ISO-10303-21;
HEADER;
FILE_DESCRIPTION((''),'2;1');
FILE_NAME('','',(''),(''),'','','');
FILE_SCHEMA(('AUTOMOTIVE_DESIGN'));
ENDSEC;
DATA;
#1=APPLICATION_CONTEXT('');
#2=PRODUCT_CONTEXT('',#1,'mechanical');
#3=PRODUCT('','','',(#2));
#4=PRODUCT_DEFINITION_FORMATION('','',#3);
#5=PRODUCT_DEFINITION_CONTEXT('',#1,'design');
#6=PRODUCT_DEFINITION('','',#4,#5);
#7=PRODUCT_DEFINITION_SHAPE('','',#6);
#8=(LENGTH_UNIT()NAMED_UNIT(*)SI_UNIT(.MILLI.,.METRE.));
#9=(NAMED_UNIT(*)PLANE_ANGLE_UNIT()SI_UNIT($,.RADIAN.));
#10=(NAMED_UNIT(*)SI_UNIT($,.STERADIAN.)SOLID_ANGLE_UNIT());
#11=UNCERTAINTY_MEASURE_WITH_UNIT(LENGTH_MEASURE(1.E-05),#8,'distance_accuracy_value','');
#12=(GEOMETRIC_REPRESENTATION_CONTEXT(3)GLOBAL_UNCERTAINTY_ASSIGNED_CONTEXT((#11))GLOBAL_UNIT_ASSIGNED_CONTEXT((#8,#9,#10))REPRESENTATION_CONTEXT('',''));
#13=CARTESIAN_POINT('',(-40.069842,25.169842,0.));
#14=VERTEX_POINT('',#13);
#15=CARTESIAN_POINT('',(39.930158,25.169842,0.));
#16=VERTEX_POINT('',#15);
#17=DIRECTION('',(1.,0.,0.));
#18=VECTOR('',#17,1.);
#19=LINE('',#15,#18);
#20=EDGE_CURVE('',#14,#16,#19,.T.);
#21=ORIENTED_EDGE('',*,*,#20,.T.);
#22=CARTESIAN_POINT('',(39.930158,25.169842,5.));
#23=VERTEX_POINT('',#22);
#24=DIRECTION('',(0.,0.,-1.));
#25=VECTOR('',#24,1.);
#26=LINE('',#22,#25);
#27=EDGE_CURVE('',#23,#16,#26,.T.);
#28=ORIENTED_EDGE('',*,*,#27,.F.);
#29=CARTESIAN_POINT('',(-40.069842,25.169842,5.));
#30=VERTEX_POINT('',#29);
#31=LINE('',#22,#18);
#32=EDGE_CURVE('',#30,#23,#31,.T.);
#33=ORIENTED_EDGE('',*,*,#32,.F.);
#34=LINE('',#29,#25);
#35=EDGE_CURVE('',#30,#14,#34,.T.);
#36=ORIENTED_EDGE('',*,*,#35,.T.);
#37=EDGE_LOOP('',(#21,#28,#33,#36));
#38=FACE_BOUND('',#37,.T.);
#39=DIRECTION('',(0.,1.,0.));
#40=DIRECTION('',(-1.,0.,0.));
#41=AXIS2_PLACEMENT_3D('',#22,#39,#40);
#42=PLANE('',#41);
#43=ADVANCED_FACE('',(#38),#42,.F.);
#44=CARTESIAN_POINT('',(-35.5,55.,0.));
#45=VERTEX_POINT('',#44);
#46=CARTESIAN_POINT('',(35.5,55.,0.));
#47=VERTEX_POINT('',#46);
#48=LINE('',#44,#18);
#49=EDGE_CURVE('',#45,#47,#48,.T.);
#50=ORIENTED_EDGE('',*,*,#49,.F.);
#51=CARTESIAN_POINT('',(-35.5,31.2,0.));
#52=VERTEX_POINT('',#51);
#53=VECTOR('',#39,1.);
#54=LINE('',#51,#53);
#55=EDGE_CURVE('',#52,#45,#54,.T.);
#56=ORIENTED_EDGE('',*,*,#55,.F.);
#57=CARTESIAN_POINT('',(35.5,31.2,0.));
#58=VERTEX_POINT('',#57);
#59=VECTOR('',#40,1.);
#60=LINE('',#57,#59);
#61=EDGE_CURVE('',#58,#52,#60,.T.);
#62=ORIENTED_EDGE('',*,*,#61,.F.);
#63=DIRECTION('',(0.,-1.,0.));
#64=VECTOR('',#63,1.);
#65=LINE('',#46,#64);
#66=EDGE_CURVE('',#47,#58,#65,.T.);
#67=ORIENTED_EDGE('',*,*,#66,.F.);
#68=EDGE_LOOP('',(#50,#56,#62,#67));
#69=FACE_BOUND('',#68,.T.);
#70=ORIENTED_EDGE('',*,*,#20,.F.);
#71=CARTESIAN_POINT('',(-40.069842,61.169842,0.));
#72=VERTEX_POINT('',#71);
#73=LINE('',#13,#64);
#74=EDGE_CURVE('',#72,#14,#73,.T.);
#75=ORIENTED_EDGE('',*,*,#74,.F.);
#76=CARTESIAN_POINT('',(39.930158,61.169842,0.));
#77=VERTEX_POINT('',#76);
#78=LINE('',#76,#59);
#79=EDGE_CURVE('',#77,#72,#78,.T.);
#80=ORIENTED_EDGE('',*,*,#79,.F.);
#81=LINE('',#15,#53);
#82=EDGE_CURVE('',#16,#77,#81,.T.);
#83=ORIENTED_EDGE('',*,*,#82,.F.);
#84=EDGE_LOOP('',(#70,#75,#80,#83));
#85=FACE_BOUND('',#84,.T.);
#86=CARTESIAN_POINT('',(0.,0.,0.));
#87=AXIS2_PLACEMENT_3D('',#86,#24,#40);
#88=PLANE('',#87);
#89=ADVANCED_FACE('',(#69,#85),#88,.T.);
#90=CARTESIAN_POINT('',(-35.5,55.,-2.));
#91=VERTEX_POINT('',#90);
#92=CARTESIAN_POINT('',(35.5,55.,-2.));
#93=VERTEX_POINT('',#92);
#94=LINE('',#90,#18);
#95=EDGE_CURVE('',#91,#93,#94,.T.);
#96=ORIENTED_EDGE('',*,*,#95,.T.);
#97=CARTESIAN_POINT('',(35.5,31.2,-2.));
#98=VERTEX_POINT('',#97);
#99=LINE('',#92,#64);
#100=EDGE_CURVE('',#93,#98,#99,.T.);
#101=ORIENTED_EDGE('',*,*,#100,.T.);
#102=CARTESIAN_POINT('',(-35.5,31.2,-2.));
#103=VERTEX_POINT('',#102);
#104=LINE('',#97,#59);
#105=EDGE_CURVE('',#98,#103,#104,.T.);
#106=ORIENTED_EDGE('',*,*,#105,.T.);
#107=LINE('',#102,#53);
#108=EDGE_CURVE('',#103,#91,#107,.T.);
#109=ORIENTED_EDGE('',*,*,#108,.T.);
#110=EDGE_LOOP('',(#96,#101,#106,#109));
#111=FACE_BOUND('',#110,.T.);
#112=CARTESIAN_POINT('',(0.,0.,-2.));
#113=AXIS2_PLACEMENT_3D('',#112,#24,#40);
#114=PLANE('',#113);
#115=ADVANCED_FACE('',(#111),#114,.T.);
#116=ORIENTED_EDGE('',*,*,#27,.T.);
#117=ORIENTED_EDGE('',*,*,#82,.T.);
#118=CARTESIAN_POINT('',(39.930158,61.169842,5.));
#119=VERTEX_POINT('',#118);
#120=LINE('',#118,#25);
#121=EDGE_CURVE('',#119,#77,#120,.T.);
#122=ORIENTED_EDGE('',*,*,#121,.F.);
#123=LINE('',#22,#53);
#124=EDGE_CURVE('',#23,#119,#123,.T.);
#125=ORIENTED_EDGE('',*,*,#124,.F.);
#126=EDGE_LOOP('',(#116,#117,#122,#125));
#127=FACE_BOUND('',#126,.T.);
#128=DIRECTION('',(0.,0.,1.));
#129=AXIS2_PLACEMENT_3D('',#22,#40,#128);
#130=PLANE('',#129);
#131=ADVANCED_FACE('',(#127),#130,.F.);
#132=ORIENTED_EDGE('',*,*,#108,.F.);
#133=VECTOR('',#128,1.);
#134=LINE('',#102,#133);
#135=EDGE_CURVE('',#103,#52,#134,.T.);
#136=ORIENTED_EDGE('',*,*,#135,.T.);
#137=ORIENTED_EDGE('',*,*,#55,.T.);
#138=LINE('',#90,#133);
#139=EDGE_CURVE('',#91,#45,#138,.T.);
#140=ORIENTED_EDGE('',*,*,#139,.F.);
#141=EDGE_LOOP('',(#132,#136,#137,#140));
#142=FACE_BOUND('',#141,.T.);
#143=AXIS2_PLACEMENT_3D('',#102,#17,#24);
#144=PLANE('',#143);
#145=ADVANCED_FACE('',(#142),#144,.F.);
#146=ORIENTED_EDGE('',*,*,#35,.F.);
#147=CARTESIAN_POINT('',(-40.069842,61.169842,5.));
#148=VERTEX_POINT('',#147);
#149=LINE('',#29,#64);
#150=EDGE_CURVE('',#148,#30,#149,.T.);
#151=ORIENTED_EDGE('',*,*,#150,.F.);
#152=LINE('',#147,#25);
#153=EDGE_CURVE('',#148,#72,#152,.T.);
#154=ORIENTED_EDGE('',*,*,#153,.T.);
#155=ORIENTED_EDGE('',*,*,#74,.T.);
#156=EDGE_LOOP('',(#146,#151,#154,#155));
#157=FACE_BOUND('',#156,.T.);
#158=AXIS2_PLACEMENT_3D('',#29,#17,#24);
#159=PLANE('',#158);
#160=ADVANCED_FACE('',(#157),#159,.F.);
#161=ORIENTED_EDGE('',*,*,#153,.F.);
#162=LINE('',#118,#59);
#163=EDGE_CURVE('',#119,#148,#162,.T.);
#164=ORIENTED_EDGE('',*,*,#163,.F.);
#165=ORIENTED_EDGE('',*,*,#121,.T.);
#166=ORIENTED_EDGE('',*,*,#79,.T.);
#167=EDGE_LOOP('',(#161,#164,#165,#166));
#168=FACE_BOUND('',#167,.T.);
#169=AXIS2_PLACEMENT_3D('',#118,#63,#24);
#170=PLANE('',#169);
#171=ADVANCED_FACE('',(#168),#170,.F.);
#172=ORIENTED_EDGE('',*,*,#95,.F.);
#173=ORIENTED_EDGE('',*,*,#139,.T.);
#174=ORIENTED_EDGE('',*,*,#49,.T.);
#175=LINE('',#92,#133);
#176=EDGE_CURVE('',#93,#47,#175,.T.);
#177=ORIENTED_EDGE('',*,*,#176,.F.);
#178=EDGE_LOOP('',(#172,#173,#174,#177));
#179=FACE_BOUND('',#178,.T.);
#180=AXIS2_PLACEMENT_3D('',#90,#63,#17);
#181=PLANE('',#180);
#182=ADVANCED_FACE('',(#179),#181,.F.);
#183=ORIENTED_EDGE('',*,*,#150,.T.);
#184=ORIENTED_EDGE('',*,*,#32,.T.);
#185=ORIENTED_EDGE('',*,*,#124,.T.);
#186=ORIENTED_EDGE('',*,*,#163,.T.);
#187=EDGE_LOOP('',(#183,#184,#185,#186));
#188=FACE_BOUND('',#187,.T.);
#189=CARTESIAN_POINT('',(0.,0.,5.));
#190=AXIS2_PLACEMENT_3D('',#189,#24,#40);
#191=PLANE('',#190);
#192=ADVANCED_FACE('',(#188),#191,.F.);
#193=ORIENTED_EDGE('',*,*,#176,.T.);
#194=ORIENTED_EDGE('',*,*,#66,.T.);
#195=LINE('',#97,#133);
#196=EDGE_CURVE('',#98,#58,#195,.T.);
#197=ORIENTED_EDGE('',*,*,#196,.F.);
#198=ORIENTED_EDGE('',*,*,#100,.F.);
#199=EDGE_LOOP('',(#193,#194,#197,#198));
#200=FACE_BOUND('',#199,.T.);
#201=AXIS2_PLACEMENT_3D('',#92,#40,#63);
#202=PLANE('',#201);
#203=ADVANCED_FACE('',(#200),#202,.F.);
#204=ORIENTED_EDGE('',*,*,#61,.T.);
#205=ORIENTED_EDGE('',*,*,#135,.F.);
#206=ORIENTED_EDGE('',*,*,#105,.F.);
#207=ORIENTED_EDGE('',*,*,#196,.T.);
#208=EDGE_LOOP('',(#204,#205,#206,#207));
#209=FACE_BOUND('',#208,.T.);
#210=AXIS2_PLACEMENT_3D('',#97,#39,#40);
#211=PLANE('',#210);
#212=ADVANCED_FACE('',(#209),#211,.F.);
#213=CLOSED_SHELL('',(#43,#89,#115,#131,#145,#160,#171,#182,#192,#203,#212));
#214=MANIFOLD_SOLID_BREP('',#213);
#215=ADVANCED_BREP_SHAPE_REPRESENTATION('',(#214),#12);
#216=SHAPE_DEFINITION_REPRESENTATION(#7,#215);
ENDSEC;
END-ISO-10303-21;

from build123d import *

# Parameters (mm, degrees)
SKETCH1_W           = 80
SKETCH1_H           = 36
BOSS_EXTRUDE1_DEPTH = 5
SKETCH2_W           = 71
SKETCH2_H           = 23.8
BOSS_EXTRUDE2_DEPTH = 2


with BuildPart() as part:
    # Sketch1 → Boss-Extrude1 (new body)
    with BuildSketch(Plane.XY):
        with Locations((-0.069841539, 43.169841539)):
            Rectangle(SKETCH1_W, SKETCH1_H)
    extrude(amount=BOSS_EXTRUDE1_DEPTH)

    # Sketch2 → Boss-Extrude2 (add)
    with BuildSketch(Plane(origin=(0, 0, 0), x_dir=(-1, 0, 0), z_dir=(0, 0, -1))):
        with Locations((0, 43.1)):
            Rectangle(SKETCH2_W, SKETCH2_H)
    extrude(amount=BOSS_EXTRUDE2_DEPTH)


solid = part.part
